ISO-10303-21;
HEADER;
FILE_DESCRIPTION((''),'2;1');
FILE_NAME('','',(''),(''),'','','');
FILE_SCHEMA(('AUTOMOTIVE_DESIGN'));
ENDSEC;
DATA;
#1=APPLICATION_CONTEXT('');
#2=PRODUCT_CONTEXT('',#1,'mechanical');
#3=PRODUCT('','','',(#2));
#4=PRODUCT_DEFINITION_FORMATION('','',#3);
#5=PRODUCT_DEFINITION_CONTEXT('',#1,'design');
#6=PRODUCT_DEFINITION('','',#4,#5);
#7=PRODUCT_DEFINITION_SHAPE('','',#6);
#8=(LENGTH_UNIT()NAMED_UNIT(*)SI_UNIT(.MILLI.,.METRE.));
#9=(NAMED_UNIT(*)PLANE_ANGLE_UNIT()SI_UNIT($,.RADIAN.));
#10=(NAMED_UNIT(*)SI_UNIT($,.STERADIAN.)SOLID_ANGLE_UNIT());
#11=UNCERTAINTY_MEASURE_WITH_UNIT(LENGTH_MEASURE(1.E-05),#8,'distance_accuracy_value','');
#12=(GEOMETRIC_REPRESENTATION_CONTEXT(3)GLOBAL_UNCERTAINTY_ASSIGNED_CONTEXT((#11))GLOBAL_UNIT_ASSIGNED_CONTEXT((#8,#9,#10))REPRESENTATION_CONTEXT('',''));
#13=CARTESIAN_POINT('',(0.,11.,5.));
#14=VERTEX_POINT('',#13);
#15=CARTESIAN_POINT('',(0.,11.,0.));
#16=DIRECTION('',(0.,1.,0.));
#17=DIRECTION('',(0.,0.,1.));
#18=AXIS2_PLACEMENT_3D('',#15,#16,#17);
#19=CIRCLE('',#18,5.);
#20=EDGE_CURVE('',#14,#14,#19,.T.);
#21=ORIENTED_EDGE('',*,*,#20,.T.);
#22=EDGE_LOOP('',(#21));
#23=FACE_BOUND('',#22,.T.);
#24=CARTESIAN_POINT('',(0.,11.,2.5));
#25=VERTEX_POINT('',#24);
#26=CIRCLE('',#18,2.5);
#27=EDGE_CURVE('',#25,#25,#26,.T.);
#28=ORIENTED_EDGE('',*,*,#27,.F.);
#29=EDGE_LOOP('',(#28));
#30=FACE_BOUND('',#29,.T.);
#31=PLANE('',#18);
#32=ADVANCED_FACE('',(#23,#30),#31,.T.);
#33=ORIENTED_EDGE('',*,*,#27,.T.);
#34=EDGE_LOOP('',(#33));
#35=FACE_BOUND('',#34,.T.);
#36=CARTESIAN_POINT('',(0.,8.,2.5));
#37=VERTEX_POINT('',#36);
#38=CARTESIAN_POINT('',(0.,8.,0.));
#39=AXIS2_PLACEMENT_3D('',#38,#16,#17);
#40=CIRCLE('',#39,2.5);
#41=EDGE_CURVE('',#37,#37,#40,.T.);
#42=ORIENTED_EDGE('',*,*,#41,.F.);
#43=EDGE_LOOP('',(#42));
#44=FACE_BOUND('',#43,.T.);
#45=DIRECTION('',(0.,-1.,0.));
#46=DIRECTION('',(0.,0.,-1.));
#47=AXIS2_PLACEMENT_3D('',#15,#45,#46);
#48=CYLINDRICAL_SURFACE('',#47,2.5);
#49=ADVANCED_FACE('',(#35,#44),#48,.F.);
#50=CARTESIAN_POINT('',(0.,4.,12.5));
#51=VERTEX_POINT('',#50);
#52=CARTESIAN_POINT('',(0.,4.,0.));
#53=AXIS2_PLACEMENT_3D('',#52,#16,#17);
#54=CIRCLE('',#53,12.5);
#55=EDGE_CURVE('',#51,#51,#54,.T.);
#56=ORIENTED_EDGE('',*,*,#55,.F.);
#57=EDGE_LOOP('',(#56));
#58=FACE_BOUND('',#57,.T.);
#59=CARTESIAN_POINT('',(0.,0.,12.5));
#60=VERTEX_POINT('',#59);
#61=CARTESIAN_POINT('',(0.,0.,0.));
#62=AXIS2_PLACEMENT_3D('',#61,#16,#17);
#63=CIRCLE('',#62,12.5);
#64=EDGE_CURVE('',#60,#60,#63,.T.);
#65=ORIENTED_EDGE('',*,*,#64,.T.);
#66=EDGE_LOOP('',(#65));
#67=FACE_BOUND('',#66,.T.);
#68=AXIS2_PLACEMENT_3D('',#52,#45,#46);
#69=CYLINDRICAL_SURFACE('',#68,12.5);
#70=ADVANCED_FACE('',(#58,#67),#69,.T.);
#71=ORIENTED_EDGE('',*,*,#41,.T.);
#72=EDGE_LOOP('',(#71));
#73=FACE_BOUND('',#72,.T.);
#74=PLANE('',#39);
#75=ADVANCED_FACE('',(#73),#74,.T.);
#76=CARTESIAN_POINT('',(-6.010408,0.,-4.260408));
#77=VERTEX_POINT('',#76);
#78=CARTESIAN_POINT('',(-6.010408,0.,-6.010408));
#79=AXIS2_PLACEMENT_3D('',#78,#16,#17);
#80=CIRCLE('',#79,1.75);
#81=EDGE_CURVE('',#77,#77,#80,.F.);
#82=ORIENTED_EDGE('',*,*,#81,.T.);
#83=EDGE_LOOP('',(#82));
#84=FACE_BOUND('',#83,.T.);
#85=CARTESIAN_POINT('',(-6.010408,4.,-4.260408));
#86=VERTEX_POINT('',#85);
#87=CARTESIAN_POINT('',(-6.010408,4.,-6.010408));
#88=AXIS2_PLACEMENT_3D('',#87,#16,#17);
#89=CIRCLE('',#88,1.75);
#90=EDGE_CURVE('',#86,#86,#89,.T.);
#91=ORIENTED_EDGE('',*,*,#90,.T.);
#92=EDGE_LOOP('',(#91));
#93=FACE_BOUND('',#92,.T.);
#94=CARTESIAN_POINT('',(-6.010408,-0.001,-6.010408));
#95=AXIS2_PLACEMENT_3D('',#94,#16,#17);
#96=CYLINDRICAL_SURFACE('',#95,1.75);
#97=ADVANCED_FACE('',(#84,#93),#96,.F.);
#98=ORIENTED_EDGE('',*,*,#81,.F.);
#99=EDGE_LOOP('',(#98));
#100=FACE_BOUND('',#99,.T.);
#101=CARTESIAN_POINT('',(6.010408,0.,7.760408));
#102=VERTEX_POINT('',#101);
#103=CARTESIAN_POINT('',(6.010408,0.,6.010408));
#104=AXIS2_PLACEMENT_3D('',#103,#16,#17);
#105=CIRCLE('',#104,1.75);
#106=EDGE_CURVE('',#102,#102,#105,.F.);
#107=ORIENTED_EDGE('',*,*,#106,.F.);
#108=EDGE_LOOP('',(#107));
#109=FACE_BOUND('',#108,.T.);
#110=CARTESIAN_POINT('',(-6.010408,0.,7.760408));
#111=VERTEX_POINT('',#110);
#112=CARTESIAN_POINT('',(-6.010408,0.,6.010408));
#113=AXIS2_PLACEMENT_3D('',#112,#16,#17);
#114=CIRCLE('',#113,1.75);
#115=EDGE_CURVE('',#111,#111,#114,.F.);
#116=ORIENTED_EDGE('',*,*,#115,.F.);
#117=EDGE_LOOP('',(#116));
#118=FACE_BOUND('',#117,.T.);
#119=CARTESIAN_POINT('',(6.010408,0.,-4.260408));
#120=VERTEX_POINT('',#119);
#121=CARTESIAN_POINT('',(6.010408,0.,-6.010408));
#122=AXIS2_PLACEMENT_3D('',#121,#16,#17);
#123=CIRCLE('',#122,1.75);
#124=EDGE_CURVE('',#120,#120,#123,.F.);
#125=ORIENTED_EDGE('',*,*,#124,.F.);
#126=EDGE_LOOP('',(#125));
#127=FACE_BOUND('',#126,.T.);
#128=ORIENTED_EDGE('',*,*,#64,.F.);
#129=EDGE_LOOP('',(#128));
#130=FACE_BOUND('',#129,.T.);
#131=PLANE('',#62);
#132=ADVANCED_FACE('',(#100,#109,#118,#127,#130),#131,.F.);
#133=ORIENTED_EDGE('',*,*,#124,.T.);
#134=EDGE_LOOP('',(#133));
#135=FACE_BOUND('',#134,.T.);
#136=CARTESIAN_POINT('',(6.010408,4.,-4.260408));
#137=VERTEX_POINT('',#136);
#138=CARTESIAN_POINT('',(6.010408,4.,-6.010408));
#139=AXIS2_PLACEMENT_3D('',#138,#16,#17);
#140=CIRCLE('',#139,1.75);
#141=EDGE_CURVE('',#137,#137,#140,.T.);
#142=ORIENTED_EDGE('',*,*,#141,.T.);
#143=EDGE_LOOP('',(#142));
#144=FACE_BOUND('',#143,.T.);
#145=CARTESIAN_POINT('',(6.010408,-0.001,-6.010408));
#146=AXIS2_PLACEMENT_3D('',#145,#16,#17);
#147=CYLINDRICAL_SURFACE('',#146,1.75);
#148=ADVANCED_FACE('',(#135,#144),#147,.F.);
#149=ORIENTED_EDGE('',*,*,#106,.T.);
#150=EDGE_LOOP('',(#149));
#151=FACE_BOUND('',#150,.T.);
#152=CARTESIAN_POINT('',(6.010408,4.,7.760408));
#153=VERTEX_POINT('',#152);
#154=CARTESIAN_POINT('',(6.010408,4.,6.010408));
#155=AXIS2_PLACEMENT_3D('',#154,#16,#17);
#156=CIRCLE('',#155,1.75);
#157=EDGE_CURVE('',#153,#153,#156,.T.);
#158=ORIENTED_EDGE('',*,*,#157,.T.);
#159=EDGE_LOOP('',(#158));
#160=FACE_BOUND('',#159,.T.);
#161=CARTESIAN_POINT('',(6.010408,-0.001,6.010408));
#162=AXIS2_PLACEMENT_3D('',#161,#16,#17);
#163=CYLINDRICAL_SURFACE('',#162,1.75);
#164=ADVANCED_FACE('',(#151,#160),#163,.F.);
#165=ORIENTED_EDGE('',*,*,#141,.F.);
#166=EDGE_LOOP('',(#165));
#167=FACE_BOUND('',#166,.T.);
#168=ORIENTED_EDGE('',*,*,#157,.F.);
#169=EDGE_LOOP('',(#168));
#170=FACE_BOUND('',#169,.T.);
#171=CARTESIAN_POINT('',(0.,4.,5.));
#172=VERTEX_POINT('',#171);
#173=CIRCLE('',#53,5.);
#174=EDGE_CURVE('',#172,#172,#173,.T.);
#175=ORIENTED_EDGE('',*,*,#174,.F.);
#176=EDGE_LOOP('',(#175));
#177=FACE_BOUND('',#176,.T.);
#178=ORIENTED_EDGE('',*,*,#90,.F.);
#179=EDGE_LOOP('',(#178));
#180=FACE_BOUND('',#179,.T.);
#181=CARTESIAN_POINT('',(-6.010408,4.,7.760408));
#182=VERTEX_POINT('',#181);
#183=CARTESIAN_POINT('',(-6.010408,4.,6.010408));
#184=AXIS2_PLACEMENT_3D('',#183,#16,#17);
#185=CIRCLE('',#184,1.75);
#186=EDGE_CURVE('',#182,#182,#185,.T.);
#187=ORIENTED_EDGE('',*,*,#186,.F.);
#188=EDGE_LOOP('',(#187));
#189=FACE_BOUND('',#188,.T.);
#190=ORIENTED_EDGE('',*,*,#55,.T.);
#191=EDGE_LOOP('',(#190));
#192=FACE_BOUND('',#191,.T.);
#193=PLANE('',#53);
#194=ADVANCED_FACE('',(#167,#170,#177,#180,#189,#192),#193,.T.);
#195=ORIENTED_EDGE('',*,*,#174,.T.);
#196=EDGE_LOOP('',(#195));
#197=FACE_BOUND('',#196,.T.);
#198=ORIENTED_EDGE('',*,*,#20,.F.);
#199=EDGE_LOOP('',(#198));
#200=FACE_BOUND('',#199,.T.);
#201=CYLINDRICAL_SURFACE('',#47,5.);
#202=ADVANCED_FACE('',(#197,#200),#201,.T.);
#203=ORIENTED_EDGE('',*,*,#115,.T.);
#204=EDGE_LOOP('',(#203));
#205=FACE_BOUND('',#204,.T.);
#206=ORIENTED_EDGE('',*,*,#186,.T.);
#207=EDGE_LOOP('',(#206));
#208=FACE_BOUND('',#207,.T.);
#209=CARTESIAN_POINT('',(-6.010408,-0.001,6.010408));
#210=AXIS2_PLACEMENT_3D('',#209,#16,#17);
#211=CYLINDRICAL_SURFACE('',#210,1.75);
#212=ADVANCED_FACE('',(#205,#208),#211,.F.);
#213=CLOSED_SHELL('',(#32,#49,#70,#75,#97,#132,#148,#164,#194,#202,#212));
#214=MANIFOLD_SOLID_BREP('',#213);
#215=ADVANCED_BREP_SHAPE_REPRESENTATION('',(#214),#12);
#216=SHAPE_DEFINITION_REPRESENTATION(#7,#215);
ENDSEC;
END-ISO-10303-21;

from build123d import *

# Parameters (mm, degrees)
SKETCH1_R           = 12.5
BOSS_EXTRUDE1_DEPTH = 4
SKETCH2_R           = 5
SKETCH2_R_2         = 2.5
BOSS_EXTRUDE2_DEPTH = 7
CUT_EXTRUDE1_REACH  = 21.013
SKETCH3_R           = 1.75
SKETCH2_2_R         = 2.5
BOSS_EXTRUDE3_DEPTH = 4


with BuildPart() as part:
    # Sketch1 → Boss-Extrude1 (new body)
    with BuildSketch(Plane(origin=(0, 0, 0), x_dir=(1, 0, 0), z_dir=(0, 1, 0))):
        Circle(SKETCH1_R)
    extrude(amount=BOSS_EXTRUDE1_DEPTH)

    # Sketch2 → Boss-Extrude2 (add)
    with BuildSketch(Plane(origin=(0, 4, 0), x_dir=(1, 0, 0), z_dir=(0, 1, 0))):
        Circle(SKETCH2_R)
        Circle(SKETCH2_R_2, mode=Mode.SUBTRACT)
    extrude(amount=BOSS_EXTRUDE2_DEPTH)

    # Sketch3 → Cut-Extrude1 (cut, up to next)
    with BuildSketch(Plane(origin=(0, 4, 0), x_dir=(1, 0, 0), z_dir=(0, 1, 0)), mode=Mode.PRIVATE) as cut_extrude1_sk1:
        with Locations((-6.01040764, 6.01040764)):
            Circle(SKETCH3_R)
    cut_extrude1_tool1 = extrude(cut_extrude1_sk1.sketch, amount=-CUT_EXTRUDE1_REACH, mode=Mode.PRIVATE) & part.part
    # Sketch3 → Cut-Extrude1 (cut, up to next)
    with BuildSketch(Plane(origin=(0, 4, 0), x_dir=(1, 0, 0), z_dir=(0, 1, 0)), mode=Mode.PRIVATE) as cut_extrude1_sk2:
        with Locations((6.01040764, 6.01040764)):
            Circle(SKETCH3_R)
    cut_extrude1_tool2 = extrude(cut_extrude1_sk2.sketch, amount=-CUT_EXTRUDE1_REACH, mode=Mode.PRIVATE) & part.part
    # Sketch3 → Cut-Extrude1 (cut, up to next)
    with BuildSketch(Plane(origin=(0, 4, 0), x_dir=(1, 0, 0), z_dir=(0, 1, 0)), mode=Mode.PRIVATE) as cut_extrude1_sk3:
        with Locations((6.01040764, -6.01040764)):
            Circle(SKETCH3_R)
    cut_extrude1_tool3 = extrude(cut_extrude1_sk3.sketch, amount=-CUT_EXTRUDE1_REACH, mode=Mode.PRIVATE) & part.part
    # Sketch3 → Cut-Extrude1 (cut, up to next)
    with BuildSketch(Plane(origin=(0, 4, 0), x_dir=(1, 0, 0), z_dir=(0, 1, 0)), mode=Mode.PRIVATE) as cut_extrude1_sk4:
        with Locations((-6.01040764, -6.01040764)):
            Circle(SKETCH3_R)
    cut_extrude1_tool4 = extrude(cut_extrude1_sk4.sketch, amount=-CUT_EXTRUDE1_REACH, mode=Mode.PRIVATE) & part.part
    add(cut_extrude1_tool1.solids().sort_by_distance((-6.010408, 4, -6.010408))[0], mode=Mode.SUBTRACT)
    add(cut_extrude1_tool2.solids().sort_by_distance((6.010408, 4, -6.010408))[0], mode=Mode.SUBTRACT)
    add(cut_extrude1_tool3.solids().sort_by_distance((6.010408, 4, 6.010408))[0], mode=Mode.SUBTRACT)
    add(cut_extrude1_tool4.solids().sort_by_distance((-6.010408, 4, 6.010408))[0], mode=Mode.SUBTRACT)

    # Sketch2<2> → Boss-Extrude3 (add)
    with BuildSketch(Plane(origin=(0, 4, 0), x_dir=(1, 0, 0), z_dir=(0, 1, 0))):
        Circle(SKETCH2_2_R)
    extrude(amount=BOSS_EXTRUDE3_DEPTH)


solid = part.part
